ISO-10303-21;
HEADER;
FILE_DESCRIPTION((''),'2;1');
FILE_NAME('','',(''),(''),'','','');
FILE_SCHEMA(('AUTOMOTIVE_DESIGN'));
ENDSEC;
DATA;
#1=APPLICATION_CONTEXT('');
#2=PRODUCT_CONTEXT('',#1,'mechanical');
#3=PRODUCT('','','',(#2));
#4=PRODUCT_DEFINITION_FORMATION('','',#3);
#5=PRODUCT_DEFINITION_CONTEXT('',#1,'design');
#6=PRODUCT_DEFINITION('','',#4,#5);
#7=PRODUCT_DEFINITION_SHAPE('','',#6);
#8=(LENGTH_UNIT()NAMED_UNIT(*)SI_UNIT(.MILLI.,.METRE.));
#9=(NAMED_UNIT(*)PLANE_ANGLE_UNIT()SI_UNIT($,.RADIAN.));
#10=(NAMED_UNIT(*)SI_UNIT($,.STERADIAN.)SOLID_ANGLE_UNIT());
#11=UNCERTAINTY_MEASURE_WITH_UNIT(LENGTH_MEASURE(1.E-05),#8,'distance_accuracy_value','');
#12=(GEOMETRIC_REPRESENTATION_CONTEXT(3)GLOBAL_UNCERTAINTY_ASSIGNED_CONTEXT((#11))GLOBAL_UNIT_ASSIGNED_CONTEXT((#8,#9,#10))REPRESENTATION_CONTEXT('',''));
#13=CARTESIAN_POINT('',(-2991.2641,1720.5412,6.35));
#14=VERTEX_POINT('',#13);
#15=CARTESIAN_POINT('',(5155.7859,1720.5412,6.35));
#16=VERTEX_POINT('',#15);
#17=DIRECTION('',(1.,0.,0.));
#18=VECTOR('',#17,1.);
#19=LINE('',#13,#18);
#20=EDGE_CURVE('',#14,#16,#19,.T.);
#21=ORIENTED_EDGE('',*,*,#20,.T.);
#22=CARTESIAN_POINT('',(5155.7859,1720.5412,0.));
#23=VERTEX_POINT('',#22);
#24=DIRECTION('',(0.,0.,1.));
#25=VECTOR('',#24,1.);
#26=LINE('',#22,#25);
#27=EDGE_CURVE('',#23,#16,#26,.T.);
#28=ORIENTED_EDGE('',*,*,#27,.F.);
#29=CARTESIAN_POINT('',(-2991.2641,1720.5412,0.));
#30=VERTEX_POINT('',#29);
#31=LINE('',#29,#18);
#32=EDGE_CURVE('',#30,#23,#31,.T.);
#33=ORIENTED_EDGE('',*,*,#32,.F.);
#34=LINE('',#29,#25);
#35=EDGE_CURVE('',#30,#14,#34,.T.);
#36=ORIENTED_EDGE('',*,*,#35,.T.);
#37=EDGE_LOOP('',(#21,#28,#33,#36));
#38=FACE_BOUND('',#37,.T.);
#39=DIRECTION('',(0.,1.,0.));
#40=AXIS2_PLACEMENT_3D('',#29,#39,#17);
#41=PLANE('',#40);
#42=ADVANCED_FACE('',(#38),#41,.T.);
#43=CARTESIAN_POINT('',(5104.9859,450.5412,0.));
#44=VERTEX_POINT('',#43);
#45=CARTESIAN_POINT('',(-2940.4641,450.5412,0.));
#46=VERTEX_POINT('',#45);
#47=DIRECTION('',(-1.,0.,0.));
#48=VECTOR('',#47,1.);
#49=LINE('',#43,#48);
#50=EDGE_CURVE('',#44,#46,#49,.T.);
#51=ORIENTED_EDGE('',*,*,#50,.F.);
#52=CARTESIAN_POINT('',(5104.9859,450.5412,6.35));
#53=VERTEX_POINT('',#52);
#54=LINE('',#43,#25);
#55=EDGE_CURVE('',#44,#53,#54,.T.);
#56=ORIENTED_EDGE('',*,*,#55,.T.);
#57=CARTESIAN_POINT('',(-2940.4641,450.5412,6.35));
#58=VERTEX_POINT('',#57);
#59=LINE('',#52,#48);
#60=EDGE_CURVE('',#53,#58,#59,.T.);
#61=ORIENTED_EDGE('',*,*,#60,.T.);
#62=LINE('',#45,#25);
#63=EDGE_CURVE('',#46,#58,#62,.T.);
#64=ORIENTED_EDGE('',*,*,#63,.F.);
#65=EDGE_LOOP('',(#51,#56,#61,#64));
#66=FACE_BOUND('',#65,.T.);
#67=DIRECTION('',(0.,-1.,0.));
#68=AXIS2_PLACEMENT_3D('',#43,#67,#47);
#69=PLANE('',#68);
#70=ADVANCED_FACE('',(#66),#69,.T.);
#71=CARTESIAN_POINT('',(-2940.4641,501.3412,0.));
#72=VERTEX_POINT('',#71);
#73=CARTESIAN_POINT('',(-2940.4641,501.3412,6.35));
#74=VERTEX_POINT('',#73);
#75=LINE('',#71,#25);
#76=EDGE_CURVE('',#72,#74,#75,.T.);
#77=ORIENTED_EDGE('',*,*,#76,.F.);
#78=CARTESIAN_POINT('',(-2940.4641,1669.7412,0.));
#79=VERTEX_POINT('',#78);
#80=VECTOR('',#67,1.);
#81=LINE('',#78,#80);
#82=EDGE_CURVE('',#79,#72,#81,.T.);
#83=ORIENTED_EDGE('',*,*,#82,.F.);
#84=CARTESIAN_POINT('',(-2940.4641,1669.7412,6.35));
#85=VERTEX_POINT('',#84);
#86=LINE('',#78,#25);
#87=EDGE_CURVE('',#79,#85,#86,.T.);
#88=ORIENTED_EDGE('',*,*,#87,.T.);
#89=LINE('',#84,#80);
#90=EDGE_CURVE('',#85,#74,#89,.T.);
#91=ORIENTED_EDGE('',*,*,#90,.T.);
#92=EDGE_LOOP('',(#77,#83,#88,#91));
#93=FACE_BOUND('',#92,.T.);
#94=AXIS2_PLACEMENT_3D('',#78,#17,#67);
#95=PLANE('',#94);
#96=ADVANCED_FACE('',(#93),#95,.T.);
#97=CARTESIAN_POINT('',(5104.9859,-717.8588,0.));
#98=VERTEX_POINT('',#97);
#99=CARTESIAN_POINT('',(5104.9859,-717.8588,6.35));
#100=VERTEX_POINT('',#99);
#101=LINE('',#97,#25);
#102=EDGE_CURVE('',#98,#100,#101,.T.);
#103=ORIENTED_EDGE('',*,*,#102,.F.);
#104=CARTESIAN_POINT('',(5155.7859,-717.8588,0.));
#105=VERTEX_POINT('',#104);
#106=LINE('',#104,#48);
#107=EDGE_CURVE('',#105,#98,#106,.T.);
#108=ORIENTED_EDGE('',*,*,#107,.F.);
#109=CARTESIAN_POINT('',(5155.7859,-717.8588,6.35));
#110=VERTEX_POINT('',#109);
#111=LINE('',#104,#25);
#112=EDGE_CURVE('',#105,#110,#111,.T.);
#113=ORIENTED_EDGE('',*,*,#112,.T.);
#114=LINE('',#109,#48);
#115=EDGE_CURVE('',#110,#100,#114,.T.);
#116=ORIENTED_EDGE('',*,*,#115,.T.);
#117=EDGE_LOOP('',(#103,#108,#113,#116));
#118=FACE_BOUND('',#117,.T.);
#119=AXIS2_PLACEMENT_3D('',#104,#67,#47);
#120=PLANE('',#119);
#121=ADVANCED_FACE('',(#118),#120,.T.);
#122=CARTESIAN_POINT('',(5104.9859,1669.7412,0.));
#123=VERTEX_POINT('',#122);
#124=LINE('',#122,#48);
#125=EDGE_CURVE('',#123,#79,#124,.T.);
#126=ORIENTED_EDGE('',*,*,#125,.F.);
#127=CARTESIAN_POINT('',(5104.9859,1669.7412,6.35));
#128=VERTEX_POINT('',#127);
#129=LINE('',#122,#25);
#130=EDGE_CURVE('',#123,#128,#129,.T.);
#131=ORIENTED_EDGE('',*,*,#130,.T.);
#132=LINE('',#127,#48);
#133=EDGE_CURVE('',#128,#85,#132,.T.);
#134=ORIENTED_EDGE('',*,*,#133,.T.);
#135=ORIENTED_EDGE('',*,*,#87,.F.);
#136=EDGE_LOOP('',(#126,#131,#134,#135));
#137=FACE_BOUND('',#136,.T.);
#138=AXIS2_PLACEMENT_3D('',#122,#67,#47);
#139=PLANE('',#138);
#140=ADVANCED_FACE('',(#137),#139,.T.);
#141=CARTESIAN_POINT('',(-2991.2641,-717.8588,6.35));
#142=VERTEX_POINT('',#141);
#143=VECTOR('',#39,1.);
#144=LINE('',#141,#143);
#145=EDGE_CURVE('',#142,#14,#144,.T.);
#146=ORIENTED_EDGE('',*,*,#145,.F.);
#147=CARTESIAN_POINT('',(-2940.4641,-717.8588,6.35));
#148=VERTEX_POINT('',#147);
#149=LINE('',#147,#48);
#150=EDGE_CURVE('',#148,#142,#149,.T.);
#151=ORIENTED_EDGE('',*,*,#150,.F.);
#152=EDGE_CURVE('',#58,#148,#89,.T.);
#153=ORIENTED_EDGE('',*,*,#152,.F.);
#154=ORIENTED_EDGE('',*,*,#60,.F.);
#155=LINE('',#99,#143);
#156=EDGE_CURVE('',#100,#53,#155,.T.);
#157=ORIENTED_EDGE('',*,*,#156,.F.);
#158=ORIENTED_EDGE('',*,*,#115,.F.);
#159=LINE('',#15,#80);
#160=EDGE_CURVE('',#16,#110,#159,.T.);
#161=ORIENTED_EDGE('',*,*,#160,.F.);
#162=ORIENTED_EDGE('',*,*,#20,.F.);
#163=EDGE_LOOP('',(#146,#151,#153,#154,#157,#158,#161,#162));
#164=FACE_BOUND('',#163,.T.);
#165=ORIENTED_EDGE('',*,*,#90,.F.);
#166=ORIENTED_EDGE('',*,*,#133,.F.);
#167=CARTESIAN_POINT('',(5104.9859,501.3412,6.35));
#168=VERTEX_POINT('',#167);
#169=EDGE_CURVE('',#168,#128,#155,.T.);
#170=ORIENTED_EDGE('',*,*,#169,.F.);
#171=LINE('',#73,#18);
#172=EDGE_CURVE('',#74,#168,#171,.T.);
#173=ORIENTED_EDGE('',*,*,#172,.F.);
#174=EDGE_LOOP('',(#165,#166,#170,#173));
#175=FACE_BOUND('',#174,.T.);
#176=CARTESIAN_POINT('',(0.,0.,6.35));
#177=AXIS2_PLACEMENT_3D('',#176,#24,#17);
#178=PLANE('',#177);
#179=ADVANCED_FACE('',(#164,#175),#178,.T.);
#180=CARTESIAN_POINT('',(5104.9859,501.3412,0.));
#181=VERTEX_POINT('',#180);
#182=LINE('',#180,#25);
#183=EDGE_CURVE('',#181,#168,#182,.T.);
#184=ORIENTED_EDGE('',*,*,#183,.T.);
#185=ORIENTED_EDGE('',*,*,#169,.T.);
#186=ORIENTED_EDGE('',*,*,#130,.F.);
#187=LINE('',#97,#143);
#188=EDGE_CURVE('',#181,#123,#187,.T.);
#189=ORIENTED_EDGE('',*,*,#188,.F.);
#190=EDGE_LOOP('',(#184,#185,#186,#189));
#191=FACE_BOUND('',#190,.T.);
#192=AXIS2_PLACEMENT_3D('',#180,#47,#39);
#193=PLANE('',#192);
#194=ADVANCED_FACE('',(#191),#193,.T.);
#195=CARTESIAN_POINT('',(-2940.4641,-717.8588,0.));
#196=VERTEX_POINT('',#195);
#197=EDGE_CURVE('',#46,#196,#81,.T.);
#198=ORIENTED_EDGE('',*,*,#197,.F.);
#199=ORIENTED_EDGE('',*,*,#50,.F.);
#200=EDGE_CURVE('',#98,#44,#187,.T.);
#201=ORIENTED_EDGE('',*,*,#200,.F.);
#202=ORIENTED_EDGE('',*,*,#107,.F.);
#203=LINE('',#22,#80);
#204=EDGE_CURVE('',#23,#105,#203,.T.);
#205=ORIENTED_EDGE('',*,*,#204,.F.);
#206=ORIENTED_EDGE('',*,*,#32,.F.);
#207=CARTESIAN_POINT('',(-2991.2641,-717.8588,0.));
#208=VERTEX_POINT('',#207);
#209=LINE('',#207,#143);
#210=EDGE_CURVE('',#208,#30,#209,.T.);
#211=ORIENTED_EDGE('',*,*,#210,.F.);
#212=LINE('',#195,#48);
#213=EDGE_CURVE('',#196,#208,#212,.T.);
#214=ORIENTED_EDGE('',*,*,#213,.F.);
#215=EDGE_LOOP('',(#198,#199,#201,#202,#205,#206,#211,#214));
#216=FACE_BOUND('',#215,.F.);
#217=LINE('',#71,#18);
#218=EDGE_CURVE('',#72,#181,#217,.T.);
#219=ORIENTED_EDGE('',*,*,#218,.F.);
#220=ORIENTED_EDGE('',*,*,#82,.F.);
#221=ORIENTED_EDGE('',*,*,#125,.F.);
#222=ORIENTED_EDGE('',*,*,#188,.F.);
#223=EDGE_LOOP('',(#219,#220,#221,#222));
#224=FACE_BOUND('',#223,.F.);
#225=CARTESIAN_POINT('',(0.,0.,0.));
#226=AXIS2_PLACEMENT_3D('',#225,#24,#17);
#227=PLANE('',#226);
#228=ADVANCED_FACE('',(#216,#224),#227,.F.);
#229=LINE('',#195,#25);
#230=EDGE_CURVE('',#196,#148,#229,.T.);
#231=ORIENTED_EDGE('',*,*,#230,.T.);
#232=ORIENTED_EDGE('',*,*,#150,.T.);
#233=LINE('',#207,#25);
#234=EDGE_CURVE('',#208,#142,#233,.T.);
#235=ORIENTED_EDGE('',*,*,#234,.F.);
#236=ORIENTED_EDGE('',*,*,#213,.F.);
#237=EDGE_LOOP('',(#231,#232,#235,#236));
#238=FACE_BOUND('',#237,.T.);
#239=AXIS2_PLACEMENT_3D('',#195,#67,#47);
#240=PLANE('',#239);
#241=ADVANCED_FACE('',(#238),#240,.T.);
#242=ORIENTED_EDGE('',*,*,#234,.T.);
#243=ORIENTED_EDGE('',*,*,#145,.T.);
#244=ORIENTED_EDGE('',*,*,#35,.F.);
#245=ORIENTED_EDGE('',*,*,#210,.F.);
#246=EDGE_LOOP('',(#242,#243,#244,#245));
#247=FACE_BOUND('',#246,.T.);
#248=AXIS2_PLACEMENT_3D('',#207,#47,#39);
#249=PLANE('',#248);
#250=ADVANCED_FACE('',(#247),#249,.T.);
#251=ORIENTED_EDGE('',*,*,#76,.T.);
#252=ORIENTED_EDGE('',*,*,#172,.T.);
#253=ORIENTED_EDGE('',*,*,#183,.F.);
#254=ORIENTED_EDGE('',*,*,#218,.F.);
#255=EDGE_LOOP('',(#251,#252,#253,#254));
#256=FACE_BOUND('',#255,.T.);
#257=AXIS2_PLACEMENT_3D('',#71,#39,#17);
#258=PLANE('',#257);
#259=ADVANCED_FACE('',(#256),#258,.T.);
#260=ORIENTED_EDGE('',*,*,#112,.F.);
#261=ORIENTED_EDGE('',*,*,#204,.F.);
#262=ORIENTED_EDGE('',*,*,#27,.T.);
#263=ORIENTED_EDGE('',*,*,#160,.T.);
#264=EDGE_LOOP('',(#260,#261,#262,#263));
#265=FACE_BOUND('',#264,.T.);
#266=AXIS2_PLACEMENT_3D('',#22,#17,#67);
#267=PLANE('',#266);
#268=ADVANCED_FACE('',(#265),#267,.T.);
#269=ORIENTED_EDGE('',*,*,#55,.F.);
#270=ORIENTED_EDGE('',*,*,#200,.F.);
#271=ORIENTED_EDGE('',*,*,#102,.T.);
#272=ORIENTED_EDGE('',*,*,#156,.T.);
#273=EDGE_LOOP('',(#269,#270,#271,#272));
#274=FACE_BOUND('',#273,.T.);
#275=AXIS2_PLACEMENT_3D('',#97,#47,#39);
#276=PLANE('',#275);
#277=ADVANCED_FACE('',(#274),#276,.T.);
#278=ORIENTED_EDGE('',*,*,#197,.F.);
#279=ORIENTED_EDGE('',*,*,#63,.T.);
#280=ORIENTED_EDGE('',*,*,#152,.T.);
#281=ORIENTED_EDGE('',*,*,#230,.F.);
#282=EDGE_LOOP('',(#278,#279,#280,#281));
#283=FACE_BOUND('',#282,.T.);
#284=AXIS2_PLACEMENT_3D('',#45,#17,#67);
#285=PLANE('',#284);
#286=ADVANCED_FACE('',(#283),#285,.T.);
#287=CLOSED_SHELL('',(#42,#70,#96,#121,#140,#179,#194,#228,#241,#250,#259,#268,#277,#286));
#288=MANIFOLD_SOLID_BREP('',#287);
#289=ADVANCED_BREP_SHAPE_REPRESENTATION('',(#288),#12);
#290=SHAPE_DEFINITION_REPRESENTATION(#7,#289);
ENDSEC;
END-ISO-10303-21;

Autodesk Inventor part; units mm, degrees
ref_plane "YZ Plane" through (0, 0, 0) normal (1, 0, 0) x (0, 1, 0)
ref_plane "XZ Plane" through (0, 0, 0) normal (0, 1, 0) x (-1, 0, 0)
ref_plane "XY Plane" through (0, 0, 0) normal (0, 0, 1) x (1, 0, 0)
sketch "Sketch1" plane through (0, 0, 0) normal (0, 0, 1) x (1, 0, 0)
  line L0 (-2991.2641, -717.8588) -> (-2991.2641, 1720.5412)
  line L1 (-2991.2641, 1720.5412) -> (5155.7859, 1720.5412)
  line L2 (5155.7859, 1720.5412) -> (5155.7859, -717.8588)
  line L3 (5155.7859, -717.8588) -> (5104.9859, -717.8588)
  line L4 (5104.9859, -717.8588) -> (5104.9859, 1669.7412)
  line L5 (5104.9859, 1669.7412) -> (-2940.4641, 1669.7412)
  line L6 (-2940.4641, 1669.7412) -> (-2940.4641, -717.8588)
  line L7 (-2940.4641, -717.8588) -> (-2991.2641, -717.8588)
  line L8 (-2940.4641, 501.3412) -> (5104.9859, 501.3412)
  line L9 (5104.9859, 501.3412) -> (5104.9859, 450.5412)
  line L10 (5104.9859, 450.5412) -> (-2940.4641, 450.5412)
  line L11 (-2940.4641, 450.5412) -> (-2940.4641, 501.3412)
  dimension "d0" = 50.8
  dimension "d1" = 50.8
  dimension "d4" = 2438.4
  dimension "d14" = 1219.2
  dimension "d15" = 8147.05
  dimension "d16" = 50.8
extrude "Extrusion1" add sketch "Sketch1" along normal blind 6.35 contours L0 L1 L2 L3 L4 L5 L6 L7
extrude "Extrusion3" add sketch "Sketch1" along normal blind 6.35 contours L6 L8 L4 L10
properties part number "FE-00034-05"
